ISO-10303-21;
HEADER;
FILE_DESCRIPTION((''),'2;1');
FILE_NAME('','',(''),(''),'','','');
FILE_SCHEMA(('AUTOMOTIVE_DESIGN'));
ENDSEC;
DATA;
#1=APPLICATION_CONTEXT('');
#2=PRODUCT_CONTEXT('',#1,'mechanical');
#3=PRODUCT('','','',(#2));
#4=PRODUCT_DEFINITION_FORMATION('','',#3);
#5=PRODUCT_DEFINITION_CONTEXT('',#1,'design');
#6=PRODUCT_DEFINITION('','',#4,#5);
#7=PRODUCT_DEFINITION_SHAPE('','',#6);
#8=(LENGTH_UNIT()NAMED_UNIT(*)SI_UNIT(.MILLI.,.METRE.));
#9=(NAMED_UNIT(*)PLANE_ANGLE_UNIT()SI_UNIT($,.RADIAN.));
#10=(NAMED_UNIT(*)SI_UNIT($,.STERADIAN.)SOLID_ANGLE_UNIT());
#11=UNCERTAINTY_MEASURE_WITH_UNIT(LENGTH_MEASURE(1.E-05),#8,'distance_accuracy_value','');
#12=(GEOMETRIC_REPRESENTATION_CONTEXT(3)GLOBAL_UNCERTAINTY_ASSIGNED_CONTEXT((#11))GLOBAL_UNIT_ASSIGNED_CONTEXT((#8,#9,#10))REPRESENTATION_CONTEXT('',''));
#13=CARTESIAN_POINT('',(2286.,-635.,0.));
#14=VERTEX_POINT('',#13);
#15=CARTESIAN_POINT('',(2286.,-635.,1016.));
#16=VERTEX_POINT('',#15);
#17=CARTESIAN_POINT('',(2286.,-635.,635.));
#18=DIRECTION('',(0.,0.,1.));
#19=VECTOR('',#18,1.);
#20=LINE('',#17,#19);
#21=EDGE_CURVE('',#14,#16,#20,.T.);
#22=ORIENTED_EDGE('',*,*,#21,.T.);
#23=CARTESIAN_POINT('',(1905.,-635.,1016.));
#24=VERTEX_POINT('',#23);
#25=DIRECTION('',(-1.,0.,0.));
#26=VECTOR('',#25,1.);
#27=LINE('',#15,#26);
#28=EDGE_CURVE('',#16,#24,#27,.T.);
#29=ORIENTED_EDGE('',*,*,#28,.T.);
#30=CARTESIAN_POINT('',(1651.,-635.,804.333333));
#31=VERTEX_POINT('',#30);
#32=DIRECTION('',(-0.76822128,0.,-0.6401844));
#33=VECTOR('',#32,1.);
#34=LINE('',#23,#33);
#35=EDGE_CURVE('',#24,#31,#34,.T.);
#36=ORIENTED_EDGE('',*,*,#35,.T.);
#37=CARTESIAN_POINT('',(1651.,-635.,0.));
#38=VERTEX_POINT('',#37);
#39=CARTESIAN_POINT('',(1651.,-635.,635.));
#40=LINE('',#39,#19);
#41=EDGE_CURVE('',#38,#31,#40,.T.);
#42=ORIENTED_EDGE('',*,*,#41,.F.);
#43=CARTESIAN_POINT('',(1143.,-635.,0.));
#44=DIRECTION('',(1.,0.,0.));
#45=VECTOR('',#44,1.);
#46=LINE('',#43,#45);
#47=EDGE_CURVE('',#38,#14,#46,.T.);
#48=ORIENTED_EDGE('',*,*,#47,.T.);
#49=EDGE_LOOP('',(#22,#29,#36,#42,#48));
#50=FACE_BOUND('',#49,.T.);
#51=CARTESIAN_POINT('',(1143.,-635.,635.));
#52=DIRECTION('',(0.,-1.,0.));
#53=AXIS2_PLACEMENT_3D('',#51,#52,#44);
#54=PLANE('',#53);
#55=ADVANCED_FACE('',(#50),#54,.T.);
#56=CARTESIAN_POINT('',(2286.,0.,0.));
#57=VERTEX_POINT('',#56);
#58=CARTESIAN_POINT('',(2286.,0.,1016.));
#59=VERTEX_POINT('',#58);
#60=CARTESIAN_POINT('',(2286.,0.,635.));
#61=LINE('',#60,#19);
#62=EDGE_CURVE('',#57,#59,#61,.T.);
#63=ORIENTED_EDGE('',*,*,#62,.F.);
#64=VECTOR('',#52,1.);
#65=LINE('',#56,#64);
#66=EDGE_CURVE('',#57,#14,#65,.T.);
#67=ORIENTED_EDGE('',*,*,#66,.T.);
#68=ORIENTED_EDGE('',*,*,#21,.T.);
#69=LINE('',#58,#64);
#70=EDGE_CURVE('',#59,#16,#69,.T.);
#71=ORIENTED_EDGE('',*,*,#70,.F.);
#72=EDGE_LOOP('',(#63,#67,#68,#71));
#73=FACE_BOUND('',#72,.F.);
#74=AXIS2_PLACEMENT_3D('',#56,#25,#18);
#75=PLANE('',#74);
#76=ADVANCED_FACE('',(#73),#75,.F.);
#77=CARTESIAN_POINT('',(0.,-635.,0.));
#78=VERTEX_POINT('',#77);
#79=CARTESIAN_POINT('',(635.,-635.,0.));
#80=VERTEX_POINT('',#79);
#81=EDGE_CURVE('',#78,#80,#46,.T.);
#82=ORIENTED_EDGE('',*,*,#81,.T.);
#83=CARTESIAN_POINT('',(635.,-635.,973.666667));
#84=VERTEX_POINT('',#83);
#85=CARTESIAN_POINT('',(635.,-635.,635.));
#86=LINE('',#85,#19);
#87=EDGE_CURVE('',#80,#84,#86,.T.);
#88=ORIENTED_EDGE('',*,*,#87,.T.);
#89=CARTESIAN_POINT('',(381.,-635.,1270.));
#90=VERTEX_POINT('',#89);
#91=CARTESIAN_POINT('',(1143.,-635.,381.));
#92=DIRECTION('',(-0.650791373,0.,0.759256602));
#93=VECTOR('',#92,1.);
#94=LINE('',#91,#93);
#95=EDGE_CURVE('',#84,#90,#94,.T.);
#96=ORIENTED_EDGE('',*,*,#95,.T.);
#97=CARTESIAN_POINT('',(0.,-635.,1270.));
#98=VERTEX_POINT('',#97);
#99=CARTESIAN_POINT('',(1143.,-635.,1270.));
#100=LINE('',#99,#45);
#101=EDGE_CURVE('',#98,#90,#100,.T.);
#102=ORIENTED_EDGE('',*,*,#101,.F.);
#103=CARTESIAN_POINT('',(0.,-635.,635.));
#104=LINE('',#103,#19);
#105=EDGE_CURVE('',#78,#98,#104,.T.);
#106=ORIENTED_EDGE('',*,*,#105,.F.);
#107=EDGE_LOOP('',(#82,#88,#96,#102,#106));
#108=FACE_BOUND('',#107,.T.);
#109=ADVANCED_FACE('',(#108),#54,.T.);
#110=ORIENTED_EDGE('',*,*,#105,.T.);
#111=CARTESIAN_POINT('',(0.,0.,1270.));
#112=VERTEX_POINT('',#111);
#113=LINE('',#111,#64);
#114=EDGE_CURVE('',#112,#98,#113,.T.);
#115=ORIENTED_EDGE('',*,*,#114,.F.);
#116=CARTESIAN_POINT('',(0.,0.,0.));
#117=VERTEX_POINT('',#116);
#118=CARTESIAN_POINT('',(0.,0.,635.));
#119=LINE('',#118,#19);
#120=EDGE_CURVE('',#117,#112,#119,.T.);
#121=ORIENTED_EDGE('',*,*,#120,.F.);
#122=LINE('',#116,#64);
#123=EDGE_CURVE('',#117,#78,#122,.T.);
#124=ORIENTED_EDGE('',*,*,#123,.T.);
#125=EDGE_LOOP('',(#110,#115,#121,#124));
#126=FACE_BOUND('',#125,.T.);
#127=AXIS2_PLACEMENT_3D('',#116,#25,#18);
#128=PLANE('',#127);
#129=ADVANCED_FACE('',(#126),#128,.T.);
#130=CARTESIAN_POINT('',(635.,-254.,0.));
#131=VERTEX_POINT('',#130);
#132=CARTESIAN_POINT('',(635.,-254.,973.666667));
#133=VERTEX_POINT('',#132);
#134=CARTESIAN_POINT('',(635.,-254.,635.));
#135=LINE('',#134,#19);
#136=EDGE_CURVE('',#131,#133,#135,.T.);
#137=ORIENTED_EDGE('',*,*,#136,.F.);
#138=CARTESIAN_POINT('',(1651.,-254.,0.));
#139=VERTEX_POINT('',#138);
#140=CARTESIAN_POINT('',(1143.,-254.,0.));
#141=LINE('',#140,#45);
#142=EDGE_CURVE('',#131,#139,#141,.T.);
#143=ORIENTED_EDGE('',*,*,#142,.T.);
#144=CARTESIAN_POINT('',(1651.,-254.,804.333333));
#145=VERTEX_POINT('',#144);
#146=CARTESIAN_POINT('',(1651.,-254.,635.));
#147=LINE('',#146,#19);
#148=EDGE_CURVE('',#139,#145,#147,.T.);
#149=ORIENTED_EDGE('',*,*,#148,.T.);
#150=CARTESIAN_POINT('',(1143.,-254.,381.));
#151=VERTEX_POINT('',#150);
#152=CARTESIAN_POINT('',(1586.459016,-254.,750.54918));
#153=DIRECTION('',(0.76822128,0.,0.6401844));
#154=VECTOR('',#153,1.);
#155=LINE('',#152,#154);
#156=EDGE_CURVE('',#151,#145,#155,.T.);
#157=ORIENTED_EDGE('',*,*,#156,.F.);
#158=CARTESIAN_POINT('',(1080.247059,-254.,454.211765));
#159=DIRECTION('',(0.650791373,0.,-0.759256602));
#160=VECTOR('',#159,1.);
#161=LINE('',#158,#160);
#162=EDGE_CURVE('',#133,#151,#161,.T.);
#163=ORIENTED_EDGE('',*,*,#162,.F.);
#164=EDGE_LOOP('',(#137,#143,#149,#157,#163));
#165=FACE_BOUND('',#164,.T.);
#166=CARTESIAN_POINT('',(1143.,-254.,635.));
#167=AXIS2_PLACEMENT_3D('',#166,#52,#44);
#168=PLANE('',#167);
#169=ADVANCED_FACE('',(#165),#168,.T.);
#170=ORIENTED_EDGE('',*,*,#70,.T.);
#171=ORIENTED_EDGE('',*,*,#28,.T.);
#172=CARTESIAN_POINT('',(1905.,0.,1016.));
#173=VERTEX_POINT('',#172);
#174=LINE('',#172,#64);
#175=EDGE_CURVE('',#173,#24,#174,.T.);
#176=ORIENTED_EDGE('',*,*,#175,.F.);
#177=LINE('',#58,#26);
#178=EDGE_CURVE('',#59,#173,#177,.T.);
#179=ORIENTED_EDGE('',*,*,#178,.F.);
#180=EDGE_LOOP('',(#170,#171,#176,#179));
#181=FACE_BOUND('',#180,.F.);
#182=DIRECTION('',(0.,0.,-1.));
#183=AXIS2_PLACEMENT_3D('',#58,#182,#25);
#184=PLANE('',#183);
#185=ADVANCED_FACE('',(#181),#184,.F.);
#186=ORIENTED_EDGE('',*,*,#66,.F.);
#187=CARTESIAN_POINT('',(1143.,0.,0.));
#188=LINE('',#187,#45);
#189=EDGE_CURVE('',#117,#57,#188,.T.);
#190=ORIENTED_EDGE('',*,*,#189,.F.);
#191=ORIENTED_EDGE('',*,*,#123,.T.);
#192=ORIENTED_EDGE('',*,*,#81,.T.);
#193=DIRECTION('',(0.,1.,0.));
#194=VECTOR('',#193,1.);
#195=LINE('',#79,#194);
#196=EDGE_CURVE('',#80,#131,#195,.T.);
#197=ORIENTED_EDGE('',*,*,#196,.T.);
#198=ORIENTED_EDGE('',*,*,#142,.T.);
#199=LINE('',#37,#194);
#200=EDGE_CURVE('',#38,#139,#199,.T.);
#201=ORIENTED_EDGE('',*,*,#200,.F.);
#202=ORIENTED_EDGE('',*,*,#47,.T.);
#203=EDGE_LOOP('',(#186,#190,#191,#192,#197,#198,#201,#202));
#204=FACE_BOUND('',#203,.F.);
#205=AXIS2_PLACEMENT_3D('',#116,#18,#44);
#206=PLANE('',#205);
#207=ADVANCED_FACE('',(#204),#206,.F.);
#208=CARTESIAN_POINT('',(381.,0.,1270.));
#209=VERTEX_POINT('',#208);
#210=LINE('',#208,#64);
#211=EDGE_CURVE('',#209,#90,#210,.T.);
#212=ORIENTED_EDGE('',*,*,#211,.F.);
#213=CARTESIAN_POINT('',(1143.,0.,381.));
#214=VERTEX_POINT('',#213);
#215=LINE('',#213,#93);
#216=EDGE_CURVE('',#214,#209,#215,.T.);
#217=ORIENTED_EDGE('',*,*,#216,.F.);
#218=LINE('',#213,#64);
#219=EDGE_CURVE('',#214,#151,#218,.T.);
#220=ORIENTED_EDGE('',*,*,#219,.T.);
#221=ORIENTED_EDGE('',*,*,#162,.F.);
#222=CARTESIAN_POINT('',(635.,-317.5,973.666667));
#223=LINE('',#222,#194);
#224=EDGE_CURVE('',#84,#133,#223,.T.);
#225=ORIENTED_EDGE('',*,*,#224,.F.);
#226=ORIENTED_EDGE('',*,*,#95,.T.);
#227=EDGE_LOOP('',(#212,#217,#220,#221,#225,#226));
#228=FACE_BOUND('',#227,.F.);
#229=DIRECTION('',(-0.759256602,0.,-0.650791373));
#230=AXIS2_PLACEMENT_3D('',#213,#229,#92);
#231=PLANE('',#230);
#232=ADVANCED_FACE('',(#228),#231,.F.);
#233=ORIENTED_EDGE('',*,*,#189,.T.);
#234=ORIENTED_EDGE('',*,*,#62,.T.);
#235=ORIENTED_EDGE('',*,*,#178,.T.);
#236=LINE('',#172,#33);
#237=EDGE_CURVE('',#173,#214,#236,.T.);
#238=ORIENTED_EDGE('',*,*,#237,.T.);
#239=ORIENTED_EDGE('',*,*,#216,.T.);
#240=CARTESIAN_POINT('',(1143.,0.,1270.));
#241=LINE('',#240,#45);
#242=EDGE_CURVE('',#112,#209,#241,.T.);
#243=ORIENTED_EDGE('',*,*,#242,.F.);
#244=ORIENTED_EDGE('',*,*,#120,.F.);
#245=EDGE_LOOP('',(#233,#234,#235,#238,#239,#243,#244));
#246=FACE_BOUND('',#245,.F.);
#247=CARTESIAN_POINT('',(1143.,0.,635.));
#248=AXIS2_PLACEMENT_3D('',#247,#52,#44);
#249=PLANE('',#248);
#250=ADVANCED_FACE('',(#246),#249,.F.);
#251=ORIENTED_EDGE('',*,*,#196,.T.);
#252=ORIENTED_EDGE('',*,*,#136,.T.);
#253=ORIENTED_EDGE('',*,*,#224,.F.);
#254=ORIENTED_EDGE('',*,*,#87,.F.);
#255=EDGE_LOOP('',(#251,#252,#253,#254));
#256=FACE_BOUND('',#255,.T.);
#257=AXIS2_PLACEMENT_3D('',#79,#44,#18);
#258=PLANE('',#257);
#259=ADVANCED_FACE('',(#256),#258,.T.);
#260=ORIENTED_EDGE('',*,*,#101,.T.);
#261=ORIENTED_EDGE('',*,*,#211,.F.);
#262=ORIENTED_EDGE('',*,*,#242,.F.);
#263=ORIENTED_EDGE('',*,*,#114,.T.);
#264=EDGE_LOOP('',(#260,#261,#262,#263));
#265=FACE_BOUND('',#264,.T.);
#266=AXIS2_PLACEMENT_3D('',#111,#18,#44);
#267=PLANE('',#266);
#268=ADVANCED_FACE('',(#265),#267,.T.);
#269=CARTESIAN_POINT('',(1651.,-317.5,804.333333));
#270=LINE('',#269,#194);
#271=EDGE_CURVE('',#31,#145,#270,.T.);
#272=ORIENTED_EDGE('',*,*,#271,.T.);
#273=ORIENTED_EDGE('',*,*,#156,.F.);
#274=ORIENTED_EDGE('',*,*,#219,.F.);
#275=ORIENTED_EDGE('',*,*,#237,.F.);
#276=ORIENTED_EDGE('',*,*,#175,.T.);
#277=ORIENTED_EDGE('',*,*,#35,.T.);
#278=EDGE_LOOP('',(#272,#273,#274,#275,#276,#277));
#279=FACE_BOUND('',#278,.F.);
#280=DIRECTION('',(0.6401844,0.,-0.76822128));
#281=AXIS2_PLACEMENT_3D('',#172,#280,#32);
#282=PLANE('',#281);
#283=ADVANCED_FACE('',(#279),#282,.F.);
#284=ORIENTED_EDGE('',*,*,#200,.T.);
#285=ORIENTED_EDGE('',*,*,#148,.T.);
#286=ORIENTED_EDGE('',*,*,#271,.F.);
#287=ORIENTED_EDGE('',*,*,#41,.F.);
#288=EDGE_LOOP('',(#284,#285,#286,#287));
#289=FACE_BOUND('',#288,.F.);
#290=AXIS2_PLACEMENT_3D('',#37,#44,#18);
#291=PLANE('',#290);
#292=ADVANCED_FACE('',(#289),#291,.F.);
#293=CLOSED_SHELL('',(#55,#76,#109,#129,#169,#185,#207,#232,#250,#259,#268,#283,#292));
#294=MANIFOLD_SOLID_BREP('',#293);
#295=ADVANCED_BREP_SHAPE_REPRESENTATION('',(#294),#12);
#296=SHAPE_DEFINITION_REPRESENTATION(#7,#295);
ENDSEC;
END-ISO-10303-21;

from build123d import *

# Parameters (mm, degrees)
F0_W     = 2286
F0_H     = 1270
F1_DEPTH = 635
F2_W     = 1016
F2_H     = 1270
F3_DEPTH = 381
F5_DEPTH = 635


with BuildPart() as f1:
    # F0 (on Front) → F1 (new body)
    with BuildSketch(Plane.XZ):
        with Locations((1143, 635)):
            Rectangle(F0_W, F0_H)
    extrude(amount=F1_DEPTH)

    # F2 (on face) → F3 (cut)
    with BuildSketch(Plane.XZ.offset(635)):
        with Locations((1143, 635)):
            Rectangle(F2_W, F2_H)
    extrude(amount=-F3_DEPTH, mode=Mode.SUBTRACT)

    # F4 (on face) → F5 (cut)
    with BuildSketch(Plane(origin=(0, 0, 0), x_dir=(-1, 0, 0), z_dir=(0, 1, 0))):
        Polygon((-1143, 381), (-381, 1270), (-2286, 1270), (-2286, 1016), (-1905, 1016), align=None)
    extrude(amount=-F5_DEPTH, mode=Mode.SUBTRACT)


solid = f1.part
